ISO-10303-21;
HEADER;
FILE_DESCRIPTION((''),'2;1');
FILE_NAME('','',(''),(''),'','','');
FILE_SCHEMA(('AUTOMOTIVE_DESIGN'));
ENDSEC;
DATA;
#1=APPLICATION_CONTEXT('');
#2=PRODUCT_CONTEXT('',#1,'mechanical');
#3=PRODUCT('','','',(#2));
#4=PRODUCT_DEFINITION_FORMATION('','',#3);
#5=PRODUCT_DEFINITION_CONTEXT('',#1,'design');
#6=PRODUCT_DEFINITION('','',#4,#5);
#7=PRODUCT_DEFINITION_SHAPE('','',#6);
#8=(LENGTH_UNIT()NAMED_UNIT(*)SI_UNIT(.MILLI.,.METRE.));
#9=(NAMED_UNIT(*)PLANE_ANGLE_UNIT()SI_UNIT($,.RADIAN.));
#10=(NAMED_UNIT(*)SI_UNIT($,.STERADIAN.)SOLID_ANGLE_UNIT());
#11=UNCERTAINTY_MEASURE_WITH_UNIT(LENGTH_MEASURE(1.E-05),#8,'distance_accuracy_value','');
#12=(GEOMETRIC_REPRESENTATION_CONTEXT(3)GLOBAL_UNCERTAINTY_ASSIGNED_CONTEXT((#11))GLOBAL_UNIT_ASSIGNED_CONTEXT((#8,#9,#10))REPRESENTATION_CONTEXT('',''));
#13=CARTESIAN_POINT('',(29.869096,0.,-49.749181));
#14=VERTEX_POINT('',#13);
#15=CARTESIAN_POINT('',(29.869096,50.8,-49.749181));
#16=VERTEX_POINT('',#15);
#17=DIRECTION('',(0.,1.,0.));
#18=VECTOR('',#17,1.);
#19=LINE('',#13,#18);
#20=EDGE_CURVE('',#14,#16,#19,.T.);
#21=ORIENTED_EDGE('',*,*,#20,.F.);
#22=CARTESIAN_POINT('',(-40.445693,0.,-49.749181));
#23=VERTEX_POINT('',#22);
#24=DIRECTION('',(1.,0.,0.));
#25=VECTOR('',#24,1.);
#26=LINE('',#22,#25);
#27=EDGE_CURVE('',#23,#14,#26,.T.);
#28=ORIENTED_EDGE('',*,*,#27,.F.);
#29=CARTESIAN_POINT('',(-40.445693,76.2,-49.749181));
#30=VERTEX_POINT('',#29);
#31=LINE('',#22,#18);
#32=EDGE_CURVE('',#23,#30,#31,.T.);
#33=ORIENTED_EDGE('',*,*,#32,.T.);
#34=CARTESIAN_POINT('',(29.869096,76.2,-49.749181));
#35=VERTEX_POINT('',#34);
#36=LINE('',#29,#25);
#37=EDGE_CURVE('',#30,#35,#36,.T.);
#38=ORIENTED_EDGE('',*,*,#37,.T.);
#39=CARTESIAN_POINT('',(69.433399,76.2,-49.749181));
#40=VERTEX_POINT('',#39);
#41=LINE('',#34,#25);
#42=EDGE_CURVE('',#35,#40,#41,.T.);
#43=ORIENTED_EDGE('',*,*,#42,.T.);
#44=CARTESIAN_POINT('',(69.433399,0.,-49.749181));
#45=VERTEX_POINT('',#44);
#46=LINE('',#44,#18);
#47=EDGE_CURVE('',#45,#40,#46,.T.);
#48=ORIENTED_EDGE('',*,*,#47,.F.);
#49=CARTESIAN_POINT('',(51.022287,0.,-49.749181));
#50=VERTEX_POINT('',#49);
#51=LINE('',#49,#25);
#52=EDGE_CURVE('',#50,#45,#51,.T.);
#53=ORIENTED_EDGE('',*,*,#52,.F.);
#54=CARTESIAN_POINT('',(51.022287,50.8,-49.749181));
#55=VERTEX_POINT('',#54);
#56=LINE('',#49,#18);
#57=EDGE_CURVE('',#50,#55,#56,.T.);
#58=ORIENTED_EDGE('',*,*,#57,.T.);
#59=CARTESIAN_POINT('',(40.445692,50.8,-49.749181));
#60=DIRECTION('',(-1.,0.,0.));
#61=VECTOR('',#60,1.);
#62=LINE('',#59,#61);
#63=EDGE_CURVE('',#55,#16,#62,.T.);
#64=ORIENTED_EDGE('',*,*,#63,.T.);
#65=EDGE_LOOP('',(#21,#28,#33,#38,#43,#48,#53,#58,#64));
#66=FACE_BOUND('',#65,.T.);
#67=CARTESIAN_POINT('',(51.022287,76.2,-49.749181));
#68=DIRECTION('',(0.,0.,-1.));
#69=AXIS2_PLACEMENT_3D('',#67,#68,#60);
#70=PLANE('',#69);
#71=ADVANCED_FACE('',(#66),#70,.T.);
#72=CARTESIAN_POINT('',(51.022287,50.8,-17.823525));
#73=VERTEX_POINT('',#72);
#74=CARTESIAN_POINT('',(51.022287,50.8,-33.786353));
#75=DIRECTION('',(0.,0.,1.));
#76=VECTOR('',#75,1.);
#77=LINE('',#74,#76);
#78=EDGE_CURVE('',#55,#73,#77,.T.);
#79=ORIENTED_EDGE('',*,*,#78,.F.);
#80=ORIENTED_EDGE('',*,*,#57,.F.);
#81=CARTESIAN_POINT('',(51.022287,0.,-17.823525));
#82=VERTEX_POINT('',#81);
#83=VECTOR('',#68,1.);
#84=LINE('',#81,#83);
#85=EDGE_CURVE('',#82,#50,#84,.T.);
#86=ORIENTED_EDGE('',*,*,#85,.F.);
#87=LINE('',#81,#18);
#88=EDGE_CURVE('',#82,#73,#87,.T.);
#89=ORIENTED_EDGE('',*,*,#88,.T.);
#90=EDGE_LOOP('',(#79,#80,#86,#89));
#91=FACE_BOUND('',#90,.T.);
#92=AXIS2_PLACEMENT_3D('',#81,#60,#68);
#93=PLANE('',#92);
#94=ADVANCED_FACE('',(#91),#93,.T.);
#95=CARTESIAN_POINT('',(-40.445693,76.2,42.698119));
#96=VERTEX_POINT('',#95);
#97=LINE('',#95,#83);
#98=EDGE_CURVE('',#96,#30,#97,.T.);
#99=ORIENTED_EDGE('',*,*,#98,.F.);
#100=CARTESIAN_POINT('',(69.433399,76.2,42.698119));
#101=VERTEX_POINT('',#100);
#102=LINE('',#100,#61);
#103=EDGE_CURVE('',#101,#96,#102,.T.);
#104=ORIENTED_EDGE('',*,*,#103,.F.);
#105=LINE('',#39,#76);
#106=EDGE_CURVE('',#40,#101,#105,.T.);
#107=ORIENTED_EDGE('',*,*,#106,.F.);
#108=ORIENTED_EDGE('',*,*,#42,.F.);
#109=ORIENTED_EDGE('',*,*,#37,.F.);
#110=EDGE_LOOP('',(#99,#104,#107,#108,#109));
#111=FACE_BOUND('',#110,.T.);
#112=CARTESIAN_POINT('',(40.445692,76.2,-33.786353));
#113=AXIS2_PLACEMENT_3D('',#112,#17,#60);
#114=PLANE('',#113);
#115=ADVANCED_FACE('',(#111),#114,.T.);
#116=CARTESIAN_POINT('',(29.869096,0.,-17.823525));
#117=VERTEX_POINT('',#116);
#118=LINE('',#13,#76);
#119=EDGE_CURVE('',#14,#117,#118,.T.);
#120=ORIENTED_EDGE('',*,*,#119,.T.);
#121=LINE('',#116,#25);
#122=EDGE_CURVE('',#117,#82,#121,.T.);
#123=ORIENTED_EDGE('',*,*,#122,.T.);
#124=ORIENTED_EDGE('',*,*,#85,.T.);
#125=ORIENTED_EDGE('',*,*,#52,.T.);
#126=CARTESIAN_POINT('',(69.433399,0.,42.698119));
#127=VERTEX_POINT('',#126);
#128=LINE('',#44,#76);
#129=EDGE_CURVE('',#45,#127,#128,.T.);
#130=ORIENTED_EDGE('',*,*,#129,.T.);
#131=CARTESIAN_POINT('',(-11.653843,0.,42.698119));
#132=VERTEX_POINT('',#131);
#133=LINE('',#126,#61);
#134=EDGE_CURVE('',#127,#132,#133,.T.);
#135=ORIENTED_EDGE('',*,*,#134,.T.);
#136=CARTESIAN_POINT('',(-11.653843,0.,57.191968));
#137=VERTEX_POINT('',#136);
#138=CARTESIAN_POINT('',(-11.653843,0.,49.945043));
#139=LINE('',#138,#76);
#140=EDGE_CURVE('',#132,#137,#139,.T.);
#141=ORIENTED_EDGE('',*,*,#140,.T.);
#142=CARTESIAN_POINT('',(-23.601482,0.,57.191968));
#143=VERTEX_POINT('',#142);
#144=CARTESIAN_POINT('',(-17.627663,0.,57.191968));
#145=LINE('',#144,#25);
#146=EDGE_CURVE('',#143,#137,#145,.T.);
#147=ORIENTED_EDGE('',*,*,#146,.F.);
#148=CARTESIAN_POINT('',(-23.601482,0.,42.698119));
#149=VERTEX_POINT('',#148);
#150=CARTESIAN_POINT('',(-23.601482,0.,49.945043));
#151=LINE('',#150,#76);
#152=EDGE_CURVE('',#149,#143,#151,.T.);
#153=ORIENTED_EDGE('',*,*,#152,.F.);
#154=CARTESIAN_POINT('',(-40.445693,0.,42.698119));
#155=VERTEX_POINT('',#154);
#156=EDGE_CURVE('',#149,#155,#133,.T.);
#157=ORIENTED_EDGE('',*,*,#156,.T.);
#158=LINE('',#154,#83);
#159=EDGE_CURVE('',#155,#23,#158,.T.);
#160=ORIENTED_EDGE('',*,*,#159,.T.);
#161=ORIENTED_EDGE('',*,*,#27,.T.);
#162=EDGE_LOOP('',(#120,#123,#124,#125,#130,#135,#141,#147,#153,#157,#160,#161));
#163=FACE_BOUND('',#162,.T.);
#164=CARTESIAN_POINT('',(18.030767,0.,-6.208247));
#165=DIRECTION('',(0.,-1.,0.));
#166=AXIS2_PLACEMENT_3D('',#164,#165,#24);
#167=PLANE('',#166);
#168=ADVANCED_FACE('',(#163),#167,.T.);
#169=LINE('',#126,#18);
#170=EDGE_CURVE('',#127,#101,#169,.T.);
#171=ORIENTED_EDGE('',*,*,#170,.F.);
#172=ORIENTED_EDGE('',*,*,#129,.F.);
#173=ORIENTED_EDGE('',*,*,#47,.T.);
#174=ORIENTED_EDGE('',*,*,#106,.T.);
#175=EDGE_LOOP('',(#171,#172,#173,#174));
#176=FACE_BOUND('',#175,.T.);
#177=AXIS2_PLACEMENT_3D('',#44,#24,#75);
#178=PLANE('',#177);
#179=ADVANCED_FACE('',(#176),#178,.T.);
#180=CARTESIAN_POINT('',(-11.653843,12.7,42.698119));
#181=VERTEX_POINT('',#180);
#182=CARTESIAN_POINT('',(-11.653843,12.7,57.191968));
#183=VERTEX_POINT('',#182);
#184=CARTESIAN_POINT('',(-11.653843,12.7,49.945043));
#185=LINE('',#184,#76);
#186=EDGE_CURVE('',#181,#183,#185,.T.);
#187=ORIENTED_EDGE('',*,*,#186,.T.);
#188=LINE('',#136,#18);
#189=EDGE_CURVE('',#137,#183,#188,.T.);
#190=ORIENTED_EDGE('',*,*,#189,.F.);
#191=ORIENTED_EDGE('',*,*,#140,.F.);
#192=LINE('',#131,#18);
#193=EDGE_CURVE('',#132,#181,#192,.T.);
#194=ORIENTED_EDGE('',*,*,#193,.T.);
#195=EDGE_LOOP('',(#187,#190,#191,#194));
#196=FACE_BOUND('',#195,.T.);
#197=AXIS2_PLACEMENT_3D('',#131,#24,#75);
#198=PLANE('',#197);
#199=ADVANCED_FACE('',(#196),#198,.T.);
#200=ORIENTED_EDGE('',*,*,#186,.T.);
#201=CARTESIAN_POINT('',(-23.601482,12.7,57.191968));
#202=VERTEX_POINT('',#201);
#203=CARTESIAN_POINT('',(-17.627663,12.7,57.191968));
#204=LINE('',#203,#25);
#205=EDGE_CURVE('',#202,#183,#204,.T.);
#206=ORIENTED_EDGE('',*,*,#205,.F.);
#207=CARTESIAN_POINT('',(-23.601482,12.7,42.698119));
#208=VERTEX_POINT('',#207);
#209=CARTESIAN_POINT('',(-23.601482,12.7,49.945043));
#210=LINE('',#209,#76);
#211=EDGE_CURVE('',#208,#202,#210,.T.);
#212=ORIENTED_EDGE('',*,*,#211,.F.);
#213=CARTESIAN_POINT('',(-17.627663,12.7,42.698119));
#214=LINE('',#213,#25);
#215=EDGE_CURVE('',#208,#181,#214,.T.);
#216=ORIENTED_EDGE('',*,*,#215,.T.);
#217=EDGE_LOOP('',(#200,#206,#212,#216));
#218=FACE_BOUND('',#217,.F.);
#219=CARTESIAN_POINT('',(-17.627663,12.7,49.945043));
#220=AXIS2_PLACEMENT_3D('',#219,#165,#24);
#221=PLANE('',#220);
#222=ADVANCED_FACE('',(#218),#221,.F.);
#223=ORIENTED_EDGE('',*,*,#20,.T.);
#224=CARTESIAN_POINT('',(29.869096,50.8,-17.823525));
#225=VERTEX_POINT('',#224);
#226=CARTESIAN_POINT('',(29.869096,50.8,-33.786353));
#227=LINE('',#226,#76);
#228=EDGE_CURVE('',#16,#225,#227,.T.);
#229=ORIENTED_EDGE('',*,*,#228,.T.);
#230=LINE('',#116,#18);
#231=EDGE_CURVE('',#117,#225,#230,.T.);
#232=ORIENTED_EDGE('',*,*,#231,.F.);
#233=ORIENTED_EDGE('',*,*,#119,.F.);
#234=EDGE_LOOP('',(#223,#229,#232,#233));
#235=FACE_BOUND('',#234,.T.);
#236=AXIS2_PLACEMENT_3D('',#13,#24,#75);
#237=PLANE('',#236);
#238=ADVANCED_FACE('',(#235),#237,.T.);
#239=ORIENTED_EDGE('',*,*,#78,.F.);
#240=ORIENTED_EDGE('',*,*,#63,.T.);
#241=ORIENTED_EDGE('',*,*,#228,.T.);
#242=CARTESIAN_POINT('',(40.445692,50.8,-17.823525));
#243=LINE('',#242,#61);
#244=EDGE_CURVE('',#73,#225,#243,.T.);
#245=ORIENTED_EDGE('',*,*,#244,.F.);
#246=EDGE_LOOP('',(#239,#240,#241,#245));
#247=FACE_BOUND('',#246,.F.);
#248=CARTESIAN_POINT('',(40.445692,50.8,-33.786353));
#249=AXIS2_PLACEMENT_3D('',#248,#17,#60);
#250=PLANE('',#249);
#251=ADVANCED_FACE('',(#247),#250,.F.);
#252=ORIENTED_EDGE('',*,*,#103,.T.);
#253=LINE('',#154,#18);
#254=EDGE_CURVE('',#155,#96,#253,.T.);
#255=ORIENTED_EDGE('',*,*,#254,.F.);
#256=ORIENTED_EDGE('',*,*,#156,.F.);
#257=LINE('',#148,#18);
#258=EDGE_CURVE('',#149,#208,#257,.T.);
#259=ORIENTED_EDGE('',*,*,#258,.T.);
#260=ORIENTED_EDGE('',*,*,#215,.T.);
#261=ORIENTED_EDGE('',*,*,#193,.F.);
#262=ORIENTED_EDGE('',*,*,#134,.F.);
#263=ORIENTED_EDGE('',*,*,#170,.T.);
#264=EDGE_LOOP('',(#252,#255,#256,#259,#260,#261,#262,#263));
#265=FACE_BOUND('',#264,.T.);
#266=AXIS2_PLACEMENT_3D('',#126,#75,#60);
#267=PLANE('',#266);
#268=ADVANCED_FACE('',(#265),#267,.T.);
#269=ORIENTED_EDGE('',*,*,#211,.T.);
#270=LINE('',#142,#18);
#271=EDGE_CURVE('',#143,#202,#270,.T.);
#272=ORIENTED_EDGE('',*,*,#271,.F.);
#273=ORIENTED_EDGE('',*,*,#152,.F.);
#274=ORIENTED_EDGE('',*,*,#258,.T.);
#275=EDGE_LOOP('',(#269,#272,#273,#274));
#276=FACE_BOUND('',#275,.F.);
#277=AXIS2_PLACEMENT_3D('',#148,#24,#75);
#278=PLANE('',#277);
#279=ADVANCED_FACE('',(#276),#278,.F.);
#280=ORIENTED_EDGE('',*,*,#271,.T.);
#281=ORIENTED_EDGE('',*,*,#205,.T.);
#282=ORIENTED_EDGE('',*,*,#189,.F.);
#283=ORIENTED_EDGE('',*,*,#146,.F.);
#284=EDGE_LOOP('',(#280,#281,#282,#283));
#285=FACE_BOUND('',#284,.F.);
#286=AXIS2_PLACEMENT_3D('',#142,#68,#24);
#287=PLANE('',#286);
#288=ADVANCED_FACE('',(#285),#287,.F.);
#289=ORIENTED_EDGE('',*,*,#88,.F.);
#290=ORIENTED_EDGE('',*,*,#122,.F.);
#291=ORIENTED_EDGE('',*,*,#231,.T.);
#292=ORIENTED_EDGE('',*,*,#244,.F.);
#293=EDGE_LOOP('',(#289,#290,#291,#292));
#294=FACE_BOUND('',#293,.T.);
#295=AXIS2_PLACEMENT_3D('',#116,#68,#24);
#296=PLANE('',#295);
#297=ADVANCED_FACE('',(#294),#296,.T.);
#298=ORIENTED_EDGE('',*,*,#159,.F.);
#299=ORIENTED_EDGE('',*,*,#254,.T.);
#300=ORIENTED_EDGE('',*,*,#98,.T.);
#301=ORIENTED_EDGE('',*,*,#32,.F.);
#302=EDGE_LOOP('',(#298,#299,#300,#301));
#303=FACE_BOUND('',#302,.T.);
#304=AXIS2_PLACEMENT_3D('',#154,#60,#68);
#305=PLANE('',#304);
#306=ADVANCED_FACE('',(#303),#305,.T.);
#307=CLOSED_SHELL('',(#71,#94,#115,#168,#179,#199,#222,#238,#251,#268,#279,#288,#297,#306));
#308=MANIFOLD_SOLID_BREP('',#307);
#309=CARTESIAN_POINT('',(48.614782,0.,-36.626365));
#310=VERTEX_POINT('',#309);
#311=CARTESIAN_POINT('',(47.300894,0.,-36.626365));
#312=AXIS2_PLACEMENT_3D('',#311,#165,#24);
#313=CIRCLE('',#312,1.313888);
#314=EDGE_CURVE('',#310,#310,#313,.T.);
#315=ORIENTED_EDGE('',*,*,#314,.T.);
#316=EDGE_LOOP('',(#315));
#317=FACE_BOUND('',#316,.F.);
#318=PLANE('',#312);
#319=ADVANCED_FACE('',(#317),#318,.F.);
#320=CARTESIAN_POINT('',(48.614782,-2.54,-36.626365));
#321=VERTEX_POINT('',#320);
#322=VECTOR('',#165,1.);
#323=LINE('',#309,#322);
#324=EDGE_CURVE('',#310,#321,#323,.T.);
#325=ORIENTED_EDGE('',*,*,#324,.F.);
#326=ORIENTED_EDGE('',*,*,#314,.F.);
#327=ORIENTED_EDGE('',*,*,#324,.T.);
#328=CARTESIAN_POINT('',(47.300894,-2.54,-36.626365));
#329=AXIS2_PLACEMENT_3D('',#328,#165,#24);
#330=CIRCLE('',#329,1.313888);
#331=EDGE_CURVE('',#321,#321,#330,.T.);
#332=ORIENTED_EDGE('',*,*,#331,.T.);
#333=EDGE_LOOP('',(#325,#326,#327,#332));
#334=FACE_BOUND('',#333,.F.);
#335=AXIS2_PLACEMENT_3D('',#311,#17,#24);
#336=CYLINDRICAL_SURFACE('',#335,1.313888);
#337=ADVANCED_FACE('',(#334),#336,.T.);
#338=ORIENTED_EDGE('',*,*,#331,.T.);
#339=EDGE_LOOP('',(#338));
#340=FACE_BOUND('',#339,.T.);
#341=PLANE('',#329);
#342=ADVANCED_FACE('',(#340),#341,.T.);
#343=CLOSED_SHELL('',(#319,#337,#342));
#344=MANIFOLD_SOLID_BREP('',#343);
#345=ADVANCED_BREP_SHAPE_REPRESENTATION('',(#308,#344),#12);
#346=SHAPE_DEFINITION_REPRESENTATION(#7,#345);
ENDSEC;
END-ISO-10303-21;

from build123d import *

# Parameters (mm, degrees)
F1_DEPTH = 76.2
F0_W     = 11.9476383552
F0_H     = 14.4938491285
F2_DEPTH = 12.7
F3_R     = 1.3138879376
F4_DEPTH = 2.54
F5_W     = 21.1531911045
F5_H     = 31.9256559014
F6_DEPTH = 25.4


with BuildPart() as f1:
    # F0 (on Front) → F1 (new body)
    with BuildSketch(Plane.XZ):
        Polygon((-40.4456928372, 42.6981188357), (-40.4456928372, -49.7491806746), (29.8690963537, -49.7491806746), (29.8690963537, -17.8235247731), (51.0222874582, -17.8235247731), (51.0222874582, -49.7491806746), (69.4333985448, -49.7491806746), (69.4333985448, 42.6981188357), (-11.6538433358, 42.6981188357), (-23.601481691, 42.6981188357), align=None)
    extrude(amount=-F1_DEPTH)

    # F0 (on Front) → F2 (join)
    with BuildSketch(Plane.XZ):
        with Locations((-17.6276625134, 49.9450433999)):
            Rectangle(F0_W, F0_H)
    extrude(amount=-F2_DEPTH)

    # F5 (on face) → F6 (join)
    with BuildSketch(Plane(origin=(0, 76.2, 0), x_dir=(-1, 0, 0), z_dir=(0, 1, 0))):
        with Locations((-40.4456919059, -33.7863527238)):
            Rectangle(F5_W, F5_H)
    extrude(amount=-F6_DEPTH)


with BuildPart() as f4:
    # F3 (on face) → F4 (new body)
    with BuildSketch(Plane.XZ):
        with Locations((47.3008938134, -36.6263650358)):
            Circle(F3_R)
    extrude(amount=F4_DEPTH)


solid = Compound([f1.part, f4.part])
